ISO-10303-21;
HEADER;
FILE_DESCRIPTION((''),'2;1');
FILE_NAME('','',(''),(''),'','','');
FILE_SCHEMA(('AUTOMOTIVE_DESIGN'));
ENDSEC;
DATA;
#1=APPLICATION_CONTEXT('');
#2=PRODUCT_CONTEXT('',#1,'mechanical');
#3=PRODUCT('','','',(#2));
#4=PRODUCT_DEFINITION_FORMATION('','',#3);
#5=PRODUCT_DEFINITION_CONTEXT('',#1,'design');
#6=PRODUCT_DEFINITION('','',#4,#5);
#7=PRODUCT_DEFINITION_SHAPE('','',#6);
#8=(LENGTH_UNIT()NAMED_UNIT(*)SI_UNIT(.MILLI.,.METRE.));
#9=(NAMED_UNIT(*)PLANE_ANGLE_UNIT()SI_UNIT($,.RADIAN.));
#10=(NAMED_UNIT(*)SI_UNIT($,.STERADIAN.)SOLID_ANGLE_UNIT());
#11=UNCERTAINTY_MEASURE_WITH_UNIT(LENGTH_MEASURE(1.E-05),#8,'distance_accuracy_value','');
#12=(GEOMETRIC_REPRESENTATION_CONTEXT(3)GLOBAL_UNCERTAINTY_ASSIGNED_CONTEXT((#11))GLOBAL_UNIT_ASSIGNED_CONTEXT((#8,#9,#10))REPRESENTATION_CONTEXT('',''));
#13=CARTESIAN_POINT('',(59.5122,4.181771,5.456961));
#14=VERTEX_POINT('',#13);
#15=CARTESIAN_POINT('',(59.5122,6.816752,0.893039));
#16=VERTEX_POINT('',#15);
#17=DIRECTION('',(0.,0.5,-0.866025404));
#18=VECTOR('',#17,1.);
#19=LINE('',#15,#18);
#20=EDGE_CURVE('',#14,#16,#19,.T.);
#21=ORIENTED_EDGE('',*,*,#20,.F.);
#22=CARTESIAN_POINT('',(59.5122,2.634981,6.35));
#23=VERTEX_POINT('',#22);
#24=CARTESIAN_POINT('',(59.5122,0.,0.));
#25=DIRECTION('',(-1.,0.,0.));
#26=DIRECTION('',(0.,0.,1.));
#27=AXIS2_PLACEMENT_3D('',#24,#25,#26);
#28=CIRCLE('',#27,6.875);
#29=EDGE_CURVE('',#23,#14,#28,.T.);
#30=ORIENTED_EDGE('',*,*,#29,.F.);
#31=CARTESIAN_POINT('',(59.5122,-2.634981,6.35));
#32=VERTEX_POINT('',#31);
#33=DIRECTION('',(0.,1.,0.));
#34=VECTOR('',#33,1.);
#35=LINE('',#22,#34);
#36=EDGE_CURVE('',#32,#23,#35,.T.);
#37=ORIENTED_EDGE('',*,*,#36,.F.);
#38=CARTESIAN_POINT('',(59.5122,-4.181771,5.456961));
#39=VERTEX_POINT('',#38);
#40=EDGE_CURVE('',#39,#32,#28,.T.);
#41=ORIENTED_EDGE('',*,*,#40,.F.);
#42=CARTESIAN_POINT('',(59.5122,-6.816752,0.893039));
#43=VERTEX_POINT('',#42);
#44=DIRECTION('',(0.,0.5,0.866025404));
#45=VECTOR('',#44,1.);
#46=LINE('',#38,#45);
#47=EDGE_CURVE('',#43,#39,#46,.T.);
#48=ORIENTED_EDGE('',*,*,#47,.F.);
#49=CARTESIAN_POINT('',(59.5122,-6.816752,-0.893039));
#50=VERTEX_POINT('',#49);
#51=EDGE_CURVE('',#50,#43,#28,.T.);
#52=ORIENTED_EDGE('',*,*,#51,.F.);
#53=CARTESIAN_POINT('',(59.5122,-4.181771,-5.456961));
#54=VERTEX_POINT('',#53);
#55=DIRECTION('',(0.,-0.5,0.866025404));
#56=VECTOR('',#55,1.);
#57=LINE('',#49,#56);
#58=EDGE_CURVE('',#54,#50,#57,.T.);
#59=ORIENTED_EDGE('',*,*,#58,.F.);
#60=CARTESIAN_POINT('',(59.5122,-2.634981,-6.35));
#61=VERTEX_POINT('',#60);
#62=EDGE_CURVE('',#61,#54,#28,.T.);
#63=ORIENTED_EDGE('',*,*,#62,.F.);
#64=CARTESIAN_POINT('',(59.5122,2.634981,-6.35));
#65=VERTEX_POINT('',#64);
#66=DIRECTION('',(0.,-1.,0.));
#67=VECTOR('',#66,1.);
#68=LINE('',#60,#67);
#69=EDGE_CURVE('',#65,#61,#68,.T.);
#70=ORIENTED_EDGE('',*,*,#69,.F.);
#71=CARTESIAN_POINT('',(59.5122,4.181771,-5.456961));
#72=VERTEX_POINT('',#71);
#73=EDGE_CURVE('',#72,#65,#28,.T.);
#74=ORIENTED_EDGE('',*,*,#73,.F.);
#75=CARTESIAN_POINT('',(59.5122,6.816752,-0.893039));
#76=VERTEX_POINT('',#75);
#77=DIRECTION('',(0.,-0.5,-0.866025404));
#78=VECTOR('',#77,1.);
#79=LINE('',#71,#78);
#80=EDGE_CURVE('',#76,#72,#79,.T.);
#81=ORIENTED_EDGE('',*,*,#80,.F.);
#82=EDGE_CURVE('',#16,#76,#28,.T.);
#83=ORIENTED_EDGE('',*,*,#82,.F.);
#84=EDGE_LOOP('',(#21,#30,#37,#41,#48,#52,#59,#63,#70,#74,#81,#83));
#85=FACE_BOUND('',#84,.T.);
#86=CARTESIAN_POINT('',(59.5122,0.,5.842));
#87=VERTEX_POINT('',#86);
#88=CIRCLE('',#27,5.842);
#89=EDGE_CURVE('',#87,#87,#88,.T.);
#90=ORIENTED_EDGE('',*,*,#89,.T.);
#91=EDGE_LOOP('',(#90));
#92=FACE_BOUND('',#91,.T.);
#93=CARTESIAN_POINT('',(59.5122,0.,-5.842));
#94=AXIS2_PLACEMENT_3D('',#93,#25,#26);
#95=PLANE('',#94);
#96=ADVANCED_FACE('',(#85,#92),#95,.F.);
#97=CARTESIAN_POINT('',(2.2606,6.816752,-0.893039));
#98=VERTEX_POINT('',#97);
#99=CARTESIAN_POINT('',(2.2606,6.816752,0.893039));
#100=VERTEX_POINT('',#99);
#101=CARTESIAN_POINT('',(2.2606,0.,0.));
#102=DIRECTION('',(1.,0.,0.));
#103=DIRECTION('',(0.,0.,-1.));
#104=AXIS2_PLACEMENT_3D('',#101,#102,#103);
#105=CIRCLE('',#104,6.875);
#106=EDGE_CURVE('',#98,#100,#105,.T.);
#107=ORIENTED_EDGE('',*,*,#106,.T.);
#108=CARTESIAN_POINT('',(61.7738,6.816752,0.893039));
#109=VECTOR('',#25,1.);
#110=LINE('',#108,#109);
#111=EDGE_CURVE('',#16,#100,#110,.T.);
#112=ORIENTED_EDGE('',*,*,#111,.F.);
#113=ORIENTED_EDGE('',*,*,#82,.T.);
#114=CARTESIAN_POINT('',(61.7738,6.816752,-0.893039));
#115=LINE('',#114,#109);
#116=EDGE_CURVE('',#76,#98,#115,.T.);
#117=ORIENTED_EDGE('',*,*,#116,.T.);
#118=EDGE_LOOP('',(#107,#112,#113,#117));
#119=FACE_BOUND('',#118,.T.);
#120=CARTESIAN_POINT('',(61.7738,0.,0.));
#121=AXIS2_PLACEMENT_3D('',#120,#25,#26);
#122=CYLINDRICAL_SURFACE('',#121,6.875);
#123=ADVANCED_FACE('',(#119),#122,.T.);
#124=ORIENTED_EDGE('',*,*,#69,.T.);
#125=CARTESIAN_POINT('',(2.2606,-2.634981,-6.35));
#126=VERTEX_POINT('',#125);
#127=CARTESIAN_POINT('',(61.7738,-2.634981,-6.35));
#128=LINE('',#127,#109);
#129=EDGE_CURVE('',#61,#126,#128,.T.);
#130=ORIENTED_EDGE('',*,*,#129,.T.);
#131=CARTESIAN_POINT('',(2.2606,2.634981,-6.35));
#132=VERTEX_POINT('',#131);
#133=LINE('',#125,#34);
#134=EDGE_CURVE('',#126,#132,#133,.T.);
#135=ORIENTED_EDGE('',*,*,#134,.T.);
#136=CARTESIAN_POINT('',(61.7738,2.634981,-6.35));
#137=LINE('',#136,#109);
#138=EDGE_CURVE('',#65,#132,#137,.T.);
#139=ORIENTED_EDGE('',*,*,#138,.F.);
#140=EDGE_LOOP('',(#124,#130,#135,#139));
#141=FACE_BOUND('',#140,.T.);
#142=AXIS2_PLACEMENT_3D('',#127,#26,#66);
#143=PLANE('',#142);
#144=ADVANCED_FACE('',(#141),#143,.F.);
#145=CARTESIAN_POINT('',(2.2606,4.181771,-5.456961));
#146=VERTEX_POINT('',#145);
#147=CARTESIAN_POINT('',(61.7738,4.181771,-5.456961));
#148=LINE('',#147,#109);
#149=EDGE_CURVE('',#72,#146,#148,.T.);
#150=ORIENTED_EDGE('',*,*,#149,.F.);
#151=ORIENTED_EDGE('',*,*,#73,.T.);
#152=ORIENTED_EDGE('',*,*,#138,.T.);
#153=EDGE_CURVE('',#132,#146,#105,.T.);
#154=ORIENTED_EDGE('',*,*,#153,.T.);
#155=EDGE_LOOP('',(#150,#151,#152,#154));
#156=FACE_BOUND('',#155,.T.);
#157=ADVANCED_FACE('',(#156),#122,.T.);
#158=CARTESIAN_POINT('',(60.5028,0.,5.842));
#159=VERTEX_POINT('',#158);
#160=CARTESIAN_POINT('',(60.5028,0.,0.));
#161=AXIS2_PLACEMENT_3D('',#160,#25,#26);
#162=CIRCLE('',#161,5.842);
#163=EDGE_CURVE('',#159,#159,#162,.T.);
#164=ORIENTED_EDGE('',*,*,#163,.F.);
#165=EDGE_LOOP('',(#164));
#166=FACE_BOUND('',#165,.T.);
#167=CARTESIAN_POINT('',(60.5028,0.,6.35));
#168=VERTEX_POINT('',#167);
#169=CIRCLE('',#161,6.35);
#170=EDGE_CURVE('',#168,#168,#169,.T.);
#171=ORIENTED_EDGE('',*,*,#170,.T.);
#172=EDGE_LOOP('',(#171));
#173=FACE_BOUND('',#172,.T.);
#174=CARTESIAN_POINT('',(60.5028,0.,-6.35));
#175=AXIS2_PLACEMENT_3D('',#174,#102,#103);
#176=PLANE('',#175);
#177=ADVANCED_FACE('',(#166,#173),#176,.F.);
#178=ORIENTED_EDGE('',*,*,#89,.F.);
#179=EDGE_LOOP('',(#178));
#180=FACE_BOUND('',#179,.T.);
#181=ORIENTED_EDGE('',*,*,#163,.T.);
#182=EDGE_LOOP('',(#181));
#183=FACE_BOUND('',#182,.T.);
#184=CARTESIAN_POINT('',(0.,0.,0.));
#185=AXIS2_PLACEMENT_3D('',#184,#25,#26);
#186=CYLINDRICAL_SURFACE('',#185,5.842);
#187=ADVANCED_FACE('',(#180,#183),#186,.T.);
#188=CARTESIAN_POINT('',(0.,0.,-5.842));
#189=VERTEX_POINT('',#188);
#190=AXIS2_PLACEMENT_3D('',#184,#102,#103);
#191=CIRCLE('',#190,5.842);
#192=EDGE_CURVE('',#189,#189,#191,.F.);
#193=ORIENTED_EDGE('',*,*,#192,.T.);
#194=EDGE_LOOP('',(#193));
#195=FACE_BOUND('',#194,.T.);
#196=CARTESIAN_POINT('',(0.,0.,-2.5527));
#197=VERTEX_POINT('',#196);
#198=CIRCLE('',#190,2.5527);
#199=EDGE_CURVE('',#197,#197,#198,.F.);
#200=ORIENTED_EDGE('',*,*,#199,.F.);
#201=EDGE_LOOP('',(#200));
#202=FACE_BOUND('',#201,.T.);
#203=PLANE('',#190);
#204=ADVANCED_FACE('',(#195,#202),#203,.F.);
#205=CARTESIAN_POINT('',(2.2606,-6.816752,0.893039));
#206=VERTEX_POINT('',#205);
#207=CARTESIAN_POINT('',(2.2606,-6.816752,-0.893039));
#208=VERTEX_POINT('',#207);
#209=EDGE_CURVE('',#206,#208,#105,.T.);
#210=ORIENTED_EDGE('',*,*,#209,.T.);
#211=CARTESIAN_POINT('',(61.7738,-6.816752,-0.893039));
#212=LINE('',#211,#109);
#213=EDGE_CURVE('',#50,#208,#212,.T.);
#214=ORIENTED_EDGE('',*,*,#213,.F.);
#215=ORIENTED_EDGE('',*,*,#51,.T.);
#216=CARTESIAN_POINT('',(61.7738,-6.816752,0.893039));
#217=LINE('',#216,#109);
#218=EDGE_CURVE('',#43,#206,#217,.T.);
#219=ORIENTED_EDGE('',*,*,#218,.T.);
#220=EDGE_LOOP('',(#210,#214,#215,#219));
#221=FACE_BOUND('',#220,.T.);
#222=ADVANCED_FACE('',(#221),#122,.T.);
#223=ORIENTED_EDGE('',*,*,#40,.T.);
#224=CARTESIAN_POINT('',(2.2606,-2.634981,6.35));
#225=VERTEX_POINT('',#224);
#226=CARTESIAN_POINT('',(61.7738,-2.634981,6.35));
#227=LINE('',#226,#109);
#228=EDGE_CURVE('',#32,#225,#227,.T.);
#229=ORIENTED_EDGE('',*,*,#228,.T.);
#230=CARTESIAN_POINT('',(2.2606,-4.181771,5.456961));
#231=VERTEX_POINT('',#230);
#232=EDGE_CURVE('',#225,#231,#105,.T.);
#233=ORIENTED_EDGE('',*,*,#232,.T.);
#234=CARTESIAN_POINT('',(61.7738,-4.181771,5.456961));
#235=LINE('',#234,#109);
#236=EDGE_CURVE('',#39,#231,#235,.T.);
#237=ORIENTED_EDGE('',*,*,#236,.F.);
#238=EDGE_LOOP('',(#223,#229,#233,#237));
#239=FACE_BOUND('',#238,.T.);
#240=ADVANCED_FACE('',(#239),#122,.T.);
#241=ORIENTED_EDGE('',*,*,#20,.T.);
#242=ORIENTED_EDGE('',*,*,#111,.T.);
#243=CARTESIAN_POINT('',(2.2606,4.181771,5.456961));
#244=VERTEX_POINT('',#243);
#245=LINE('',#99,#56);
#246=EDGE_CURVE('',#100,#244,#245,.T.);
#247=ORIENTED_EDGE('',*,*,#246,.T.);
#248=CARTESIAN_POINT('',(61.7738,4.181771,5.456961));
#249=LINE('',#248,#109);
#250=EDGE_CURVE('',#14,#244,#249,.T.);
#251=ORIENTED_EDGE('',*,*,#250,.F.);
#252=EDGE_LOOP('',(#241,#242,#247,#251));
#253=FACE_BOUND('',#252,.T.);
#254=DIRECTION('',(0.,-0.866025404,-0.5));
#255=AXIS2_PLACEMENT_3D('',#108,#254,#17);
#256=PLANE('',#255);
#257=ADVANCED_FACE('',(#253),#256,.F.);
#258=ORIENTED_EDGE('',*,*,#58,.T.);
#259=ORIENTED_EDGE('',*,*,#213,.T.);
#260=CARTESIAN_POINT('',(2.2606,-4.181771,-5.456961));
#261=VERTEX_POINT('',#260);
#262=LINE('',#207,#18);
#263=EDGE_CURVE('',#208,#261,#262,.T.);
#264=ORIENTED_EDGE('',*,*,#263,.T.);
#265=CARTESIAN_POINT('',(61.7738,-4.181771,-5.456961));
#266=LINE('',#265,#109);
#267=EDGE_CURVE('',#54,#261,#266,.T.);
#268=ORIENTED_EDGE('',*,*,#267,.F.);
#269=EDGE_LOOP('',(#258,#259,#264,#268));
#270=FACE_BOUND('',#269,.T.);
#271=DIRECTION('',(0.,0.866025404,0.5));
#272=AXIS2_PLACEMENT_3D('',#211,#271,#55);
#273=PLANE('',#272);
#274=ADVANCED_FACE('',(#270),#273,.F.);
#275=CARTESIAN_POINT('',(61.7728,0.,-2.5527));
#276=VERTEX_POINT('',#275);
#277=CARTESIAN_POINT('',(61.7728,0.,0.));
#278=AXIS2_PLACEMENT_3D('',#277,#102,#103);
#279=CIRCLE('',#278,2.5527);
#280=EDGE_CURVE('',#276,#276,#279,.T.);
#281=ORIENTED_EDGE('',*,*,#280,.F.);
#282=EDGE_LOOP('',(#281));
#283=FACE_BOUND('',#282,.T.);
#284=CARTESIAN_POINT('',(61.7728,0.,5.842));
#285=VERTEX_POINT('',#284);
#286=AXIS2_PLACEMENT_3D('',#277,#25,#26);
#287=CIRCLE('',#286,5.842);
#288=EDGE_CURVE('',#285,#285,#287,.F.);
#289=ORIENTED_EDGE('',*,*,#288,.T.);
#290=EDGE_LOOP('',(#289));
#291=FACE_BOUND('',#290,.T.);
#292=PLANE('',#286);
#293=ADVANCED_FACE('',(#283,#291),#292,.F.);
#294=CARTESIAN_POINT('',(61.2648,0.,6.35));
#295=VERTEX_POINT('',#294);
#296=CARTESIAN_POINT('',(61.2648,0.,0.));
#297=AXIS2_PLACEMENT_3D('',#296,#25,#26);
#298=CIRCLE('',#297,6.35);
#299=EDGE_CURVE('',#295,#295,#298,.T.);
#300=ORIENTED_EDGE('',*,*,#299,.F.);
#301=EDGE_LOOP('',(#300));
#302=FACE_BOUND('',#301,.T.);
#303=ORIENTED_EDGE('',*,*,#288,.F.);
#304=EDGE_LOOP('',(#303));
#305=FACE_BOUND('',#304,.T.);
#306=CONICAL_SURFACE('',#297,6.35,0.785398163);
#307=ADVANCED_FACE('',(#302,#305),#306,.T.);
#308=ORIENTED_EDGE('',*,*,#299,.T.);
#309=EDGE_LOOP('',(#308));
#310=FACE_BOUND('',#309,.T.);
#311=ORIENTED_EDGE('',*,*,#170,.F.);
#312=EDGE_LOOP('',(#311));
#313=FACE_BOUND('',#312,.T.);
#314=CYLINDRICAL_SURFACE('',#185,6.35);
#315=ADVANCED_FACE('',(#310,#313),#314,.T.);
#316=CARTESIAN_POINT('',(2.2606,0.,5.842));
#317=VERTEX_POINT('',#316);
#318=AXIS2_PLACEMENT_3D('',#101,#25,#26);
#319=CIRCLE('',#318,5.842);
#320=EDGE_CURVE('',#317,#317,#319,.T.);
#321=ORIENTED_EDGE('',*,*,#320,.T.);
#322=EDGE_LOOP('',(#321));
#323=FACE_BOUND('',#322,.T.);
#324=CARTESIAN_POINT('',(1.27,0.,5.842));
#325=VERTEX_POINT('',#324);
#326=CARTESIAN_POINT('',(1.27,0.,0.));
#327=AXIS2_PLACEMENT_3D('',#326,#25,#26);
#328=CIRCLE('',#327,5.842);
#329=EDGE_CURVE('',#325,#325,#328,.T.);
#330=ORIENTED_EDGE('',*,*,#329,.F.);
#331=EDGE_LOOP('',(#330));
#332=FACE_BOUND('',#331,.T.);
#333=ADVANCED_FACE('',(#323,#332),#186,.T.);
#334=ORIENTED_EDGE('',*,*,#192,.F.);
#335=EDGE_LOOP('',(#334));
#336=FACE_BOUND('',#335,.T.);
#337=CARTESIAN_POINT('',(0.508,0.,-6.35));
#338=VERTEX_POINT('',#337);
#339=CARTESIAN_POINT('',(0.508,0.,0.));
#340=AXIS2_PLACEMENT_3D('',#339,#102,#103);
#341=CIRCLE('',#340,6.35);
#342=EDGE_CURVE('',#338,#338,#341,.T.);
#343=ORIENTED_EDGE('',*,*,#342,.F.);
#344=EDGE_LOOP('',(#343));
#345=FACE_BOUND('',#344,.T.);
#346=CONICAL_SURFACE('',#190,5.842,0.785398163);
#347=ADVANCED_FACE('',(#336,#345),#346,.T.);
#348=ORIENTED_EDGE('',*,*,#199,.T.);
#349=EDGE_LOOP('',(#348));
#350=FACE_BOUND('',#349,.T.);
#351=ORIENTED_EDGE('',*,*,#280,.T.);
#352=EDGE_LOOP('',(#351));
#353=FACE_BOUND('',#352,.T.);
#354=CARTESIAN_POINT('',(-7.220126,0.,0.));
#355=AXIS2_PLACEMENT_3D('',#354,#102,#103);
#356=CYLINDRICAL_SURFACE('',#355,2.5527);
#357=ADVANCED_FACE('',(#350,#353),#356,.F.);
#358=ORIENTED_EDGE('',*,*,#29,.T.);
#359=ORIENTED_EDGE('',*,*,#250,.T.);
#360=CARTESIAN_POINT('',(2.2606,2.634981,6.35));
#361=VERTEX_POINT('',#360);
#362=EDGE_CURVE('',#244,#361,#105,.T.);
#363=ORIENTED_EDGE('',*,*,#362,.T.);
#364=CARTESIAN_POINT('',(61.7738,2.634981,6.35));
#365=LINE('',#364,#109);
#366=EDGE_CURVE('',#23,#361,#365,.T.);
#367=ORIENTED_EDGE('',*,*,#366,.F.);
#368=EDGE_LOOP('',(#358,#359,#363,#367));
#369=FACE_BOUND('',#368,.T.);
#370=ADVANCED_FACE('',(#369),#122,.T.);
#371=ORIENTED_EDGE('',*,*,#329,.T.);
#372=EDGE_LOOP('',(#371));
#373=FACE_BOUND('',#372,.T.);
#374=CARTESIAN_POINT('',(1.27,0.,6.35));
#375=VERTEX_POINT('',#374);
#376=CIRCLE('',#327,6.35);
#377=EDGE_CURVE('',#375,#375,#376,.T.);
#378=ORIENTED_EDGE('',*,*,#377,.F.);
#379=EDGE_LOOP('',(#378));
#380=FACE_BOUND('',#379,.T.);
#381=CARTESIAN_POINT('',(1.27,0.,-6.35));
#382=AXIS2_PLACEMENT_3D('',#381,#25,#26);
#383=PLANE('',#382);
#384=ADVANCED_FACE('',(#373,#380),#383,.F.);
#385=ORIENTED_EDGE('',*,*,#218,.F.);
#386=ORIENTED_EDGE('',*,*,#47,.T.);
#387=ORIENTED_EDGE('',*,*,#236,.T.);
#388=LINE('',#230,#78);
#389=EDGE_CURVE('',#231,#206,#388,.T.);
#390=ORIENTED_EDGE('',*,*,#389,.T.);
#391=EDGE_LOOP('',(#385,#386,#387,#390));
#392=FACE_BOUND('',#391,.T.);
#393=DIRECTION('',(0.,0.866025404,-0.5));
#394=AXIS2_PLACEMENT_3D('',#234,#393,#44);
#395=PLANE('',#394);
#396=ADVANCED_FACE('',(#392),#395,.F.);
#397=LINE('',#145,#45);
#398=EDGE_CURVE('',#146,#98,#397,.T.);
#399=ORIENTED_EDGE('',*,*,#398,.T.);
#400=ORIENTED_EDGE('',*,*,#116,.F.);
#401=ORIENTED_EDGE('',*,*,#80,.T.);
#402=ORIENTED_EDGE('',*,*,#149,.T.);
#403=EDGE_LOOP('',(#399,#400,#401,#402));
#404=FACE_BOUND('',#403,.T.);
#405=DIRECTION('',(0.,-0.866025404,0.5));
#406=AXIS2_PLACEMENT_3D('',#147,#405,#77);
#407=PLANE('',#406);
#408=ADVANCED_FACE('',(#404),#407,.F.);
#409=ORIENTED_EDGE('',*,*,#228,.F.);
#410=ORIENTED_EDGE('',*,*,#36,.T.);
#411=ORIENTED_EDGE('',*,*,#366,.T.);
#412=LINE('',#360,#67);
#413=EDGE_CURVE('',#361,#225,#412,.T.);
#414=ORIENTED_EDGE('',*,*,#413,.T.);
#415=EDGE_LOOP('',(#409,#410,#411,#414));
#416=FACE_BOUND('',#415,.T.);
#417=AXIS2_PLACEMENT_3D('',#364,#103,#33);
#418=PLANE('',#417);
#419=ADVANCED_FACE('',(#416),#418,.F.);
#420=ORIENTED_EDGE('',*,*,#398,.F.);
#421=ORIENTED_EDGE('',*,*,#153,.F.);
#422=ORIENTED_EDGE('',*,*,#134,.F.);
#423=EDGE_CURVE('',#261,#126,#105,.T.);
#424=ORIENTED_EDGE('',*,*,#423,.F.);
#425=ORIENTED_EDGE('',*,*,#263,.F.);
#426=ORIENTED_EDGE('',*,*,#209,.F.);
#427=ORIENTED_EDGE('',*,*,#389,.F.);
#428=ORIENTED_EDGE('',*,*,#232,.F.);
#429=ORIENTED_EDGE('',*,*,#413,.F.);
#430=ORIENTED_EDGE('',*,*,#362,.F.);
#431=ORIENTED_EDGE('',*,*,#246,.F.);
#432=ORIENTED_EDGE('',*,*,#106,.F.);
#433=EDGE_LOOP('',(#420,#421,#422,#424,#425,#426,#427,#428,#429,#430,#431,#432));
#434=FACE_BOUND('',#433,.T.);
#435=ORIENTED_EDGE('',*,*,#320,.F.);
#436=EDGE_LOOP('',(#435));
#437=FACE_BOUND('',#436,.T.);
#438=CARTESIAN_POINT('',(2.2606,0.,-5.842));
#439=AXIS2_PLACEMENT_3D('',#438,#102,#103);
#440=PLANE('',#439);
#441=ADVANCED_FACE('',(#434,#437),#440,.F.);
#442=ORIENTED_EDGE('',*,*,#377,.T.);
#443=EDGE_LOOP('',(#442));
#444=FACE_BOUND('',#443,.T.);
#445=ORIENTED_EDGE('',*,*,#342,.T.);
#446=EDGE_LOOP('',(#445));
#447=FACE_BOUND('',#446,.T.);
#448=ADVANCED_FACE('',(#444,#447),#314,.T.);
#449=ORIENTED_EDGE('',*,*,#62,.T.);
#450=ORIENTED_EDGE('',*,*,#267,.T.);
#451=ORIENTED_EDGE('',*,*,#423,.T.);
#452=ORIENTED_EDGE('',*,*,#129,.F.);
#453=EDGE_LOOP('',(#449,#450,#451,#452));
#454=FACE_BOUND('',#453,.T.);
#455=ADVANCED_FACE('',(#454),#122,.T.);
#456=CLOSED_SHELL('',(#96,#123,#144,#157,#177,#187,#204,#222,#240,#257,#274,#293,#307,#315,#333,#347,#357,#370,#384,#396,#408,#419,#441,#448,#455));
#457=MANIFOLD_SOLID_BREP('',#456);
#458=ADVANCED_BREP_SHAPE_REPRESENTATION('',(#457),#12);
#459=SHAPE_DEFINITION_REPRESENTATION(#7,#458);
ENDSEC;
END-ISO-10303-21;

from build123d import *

# Parameters (mm, degrees)
CUT_EXTRUDE1_START = 2.2606
SKETCH2_OUTSIDE_W  = 30.324
SKETCH2_OUTSIDE_H  = 30.324
CUT_EXTRUDE1_DEPTH = 57.2516
SKETCH5_R          = 2.5527
CUT_EXTRUDE2_DEPTH = 61.7728
CHAMFER1_SIZE      = 0.508


with BuildPart() as part:
    # Sketch4 → Revolve1 (revolve)
    with BuildSketch(Plane(origin=(0, 0, 0), x_dir=(1, 0, 0), z_dir=(0, 1, 0)), mode=Mode.PRIVATE) as revolve1_sk:
        Polygon((1.27, 6.35), (1.27, 5.842), (2.2606, 5.842), (2.2606, 7.62), (59.5122, 7.62), (59.5122, 5.842), (60.5028, 5.842), (60.5028, 6.35), (61.7728, 6.35), (61.7728, 0), (0, 0), (0, 6.35), align=None)
    revolve(revolve1_sk.sketch.rotate(Axis((0, 0, 0), (1, 0, 0)), 180), axis=Axis((0, 0, 0), (1, 0, 0)))

    # Sketch2 outside → Cut-Extrude1 (cut)
    with BuildSketch(Plane(origin=(0, 0, 0), x_dir=(0, 0, -1), z_dir=(1, 0, 0)).offset(CUT_EXTRUDE1_START)):
        Rectangle(SKETCH2_OUTSIDE_W, SKETCH2_OUTSIDE_H)
        with BuildLine():
            Line((5.456960506, 4.181770802), (0.893039494, 6.816751826))
            ThreePointArc((0.893039494, 6.816751826), (0, 6.875), (-0.893039494, 6.816751826))
            Line((-0.893039494, 6.816751826), (-5.456960506, 4.181770802))
            ThreePointArc((-5.456960506, 4.181770802), (-5.953924651, 3.4375), (-6.35, 2.634981025))
            Line((-6.35, 2.634981025), (-6.35, -2.634981025))
            ThreePointArc((-6.35, -2.634981025), (-5.953924651, -3.4375), (-5.456960506, -4.181770802))
            Line((-5.456960506, -4.181770802), (-0.893039494, -6.816751826))
            ThreePointArc((-0.893039494, -6.816751826), (0, -6.875), (0.893039494, -6.816751826))
            Line((0.893039494, -6.816751826), (5.456960506, -4.181770802))
            ThreePointArc((5.456960506, -4.181770802), (5.953924651, -3.4375), (6.35, -2.634981025))
            Line((6.35, -2.634981025), (6.35, 2.634981025))
            ThreePointArc((6.35, 2.634981025), (5.953924651, 3.4375), (5.456960506, 4.181770802))
        make_face(mode=Mode.SUBTRACT)
    extrude(amount=CUT_EXTRUDE1_DEPTH, mode=Mode.SUBTRACT)

    # Sketch5 → Cut-Extrude2 (cut)
    with BuildSketch(Plane(origin=(61.7728, 0, 0), x_dir=(0, 0, -1), z_dir=(1, 0, 0))):
        Circle(SKETCH5_R)
    extrude(amount=-CUT_EXTRUDE2_DEPTH, mode=Mode.SUBTRACT)

    # Chamfer1
    chamfer1_edges = [part.edges().sort_by_distance(p)[0] for p in [
        (0, 0, -6.35),
        (61.7728, 0, -6.35),
    ]]
    chamfer(chamfer1_edges, length=CHAMFER1_SIZE)


solid = part.part
